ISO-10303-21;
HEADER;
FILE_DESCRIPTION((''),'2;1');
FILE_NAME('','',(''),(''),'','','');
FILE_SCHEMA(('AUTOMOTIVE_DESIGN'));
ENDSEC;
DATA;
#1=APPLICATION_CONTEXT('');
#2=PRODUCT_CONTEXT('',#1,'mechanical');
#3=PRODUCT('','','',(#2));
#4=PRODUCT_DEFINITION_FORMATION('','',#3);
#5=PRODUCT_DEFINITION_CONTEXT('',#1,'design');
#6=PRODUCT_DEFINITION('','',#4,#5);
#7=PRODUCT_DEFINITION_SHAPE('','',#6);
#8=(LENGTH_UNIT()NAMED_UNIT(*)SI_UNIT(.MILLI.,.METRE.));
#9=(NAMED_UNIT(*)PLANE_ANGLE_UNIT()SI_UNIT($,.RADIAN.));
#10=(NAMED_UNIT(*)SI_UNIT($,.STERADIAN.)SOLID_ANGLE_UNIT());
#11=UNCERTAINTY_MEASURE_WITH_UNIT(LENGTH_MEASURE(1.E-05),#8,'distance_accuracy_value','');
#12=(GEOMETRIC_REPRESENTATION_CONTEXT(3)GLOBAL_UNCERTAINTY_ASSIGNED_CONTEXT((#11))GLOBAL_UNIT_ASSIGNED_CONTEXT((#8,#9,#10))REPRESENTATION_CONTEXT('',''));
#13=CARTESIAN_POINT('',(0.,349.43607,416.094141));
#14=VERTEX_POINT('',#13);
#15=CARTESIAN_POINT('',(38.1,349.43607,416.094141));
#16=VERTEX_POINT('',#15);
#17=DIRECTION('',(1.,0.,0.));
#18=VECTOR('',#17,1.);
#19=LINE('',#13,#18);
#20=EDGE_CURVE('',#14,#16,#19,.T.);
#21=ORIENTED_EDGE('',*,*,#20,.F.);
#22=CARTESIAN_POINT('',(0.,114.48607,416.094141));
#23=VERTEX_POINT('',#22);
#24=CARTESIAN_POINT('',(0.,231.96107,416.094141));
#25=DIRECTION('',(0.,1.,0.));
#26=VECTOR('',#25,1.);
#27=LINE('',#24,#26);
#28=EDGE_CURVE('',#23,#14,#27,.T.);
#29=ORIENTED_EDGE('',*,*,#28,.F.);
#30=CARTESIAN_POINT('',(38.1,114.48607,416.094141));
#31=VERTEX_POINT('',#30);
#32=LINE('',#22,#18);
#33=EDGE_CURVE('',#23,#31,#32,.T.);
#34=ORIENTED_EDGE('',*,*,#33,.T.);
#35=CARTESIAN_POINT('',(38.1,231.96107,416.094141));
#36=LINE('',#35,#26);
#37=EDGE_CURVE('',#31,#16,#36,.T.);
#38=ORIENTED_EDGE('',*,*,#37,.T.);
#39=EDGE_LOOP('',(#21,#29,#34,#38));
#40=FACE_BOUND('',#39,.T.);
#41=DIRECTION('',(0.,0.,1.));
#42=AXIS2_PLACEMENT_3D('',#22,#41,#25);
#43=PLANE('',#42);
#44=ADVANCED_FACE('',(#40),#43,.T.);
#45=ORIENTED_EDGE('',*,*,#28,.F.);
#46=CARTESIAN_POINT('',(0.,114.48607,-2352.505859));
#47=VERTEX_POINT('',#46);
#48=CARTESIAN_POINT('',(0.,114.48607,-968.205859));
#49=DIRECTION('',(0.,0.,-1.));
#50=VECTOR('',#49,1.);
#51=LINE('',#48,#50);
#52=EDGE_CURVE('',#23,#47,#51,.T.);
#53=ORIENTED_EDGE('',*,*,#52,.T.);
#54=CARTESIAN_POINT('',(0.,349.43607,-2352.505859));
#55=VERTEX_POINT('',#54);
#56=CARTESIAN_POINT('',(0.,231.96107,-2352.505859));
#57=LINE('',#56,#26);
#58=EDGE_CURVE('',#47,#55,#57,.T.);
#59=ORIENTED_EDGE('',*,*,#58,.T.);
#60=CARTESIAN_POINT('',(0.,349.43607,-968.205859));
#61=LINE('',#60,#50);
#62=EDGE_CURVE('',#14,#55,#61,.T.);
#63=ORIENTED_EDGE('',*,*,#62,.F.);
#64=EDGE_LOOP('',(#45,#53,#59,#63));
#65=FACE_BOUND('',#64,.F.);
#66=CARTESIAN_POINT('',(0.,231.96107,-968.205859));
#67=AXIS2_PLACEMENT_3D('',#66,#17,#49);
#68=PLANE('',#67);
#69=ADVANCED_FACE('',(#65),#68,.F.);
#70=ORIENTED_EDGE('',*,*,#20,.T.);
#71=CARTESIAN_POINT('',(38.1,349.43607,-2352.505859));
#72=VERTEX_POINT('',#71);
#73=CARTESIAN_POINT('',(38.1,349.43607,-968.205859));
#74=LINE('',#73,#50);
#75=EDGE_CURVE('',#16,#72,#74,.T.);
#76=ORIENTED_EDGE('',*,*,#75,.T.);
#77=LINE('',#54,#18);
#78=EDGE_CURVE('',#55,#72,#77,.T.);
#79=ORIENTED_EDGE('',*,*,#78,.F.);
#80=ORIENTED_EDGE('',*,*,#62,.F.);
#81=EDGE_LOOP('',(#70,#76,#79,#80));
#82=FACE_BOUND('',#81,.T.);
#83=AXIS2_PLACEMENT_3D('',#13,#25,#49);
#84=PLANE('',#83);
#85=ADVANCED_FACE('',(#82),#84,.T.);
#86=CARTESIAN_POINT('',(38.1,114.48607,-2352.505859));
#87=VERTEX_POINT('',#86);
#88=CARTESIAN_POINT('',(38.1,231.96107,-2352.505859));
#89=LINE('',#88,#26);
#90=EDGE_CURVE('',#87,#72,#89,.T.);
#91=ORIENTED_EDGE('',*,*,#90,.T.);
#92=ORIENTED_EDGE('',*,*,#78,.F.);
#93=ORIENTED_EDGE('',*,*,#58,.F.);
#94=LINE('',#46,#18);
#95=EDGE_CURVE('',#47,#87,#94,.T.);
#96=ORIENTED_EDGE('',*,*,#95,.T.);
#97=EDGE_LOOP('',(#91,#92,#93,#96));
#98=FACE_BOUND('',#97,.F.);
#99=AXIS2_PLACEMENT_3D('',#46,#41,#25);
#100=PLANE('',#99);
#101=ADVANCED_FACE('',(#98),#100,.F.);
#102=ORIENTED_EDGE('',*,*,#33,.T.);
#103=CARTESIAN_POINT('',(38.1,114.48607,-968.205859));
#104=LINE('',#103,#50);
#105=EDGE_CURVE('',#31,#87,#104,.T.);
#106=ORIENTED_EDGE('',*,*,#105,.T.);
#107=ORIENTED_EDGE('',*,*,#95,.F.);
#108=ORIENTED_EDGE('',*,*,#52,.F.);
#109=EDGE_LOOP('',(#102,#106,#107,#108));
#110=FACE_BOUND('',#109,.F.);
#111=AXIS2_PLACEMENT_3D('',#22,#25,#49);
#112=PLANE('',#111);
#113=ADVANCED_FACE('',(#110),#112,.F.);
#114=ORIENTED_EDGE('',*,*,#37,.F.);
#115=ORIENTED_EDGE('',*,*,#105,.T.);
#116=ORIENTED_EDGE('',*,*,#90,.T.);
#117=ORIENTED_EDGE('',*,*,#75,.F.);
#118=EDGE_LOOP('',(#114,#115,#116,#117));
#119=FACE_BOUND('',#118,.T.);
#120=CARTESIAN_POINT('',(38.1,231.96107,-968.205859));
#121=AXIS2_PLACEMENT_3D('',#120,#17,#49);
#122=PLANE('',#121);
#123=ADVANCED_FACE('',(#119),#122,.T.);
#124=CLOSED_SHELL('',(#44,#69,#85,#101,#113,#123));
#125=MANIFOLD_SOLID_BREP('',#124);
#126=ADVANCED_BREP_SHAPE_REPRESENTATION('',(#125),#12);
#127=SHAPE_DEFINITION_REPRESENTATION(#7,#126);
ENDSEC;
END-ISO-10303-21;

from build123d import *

# Parameters (mm, degrees)
SKETCH1_W           = 2768.6
SKETCH1_H           = 234.95
BOSS_EXTRUDE1_DEPTH = 38.1


with BuildPart() as part:
    # Sketch1 → Boss-Extrude1 (new body)
    with BuildSketch(Plane(origin=(0, 0, 0), x_dir=(0, 0, -1), z_dir=(1, 0, 0))):
        with Locations((968.205858564, 231.961069552)):
            Rectangle(SKETCH1_W, SKETCH1_H)
    extrude(amount=BOSS_EXTRUDE1_DEPTH)


solid = part.part
